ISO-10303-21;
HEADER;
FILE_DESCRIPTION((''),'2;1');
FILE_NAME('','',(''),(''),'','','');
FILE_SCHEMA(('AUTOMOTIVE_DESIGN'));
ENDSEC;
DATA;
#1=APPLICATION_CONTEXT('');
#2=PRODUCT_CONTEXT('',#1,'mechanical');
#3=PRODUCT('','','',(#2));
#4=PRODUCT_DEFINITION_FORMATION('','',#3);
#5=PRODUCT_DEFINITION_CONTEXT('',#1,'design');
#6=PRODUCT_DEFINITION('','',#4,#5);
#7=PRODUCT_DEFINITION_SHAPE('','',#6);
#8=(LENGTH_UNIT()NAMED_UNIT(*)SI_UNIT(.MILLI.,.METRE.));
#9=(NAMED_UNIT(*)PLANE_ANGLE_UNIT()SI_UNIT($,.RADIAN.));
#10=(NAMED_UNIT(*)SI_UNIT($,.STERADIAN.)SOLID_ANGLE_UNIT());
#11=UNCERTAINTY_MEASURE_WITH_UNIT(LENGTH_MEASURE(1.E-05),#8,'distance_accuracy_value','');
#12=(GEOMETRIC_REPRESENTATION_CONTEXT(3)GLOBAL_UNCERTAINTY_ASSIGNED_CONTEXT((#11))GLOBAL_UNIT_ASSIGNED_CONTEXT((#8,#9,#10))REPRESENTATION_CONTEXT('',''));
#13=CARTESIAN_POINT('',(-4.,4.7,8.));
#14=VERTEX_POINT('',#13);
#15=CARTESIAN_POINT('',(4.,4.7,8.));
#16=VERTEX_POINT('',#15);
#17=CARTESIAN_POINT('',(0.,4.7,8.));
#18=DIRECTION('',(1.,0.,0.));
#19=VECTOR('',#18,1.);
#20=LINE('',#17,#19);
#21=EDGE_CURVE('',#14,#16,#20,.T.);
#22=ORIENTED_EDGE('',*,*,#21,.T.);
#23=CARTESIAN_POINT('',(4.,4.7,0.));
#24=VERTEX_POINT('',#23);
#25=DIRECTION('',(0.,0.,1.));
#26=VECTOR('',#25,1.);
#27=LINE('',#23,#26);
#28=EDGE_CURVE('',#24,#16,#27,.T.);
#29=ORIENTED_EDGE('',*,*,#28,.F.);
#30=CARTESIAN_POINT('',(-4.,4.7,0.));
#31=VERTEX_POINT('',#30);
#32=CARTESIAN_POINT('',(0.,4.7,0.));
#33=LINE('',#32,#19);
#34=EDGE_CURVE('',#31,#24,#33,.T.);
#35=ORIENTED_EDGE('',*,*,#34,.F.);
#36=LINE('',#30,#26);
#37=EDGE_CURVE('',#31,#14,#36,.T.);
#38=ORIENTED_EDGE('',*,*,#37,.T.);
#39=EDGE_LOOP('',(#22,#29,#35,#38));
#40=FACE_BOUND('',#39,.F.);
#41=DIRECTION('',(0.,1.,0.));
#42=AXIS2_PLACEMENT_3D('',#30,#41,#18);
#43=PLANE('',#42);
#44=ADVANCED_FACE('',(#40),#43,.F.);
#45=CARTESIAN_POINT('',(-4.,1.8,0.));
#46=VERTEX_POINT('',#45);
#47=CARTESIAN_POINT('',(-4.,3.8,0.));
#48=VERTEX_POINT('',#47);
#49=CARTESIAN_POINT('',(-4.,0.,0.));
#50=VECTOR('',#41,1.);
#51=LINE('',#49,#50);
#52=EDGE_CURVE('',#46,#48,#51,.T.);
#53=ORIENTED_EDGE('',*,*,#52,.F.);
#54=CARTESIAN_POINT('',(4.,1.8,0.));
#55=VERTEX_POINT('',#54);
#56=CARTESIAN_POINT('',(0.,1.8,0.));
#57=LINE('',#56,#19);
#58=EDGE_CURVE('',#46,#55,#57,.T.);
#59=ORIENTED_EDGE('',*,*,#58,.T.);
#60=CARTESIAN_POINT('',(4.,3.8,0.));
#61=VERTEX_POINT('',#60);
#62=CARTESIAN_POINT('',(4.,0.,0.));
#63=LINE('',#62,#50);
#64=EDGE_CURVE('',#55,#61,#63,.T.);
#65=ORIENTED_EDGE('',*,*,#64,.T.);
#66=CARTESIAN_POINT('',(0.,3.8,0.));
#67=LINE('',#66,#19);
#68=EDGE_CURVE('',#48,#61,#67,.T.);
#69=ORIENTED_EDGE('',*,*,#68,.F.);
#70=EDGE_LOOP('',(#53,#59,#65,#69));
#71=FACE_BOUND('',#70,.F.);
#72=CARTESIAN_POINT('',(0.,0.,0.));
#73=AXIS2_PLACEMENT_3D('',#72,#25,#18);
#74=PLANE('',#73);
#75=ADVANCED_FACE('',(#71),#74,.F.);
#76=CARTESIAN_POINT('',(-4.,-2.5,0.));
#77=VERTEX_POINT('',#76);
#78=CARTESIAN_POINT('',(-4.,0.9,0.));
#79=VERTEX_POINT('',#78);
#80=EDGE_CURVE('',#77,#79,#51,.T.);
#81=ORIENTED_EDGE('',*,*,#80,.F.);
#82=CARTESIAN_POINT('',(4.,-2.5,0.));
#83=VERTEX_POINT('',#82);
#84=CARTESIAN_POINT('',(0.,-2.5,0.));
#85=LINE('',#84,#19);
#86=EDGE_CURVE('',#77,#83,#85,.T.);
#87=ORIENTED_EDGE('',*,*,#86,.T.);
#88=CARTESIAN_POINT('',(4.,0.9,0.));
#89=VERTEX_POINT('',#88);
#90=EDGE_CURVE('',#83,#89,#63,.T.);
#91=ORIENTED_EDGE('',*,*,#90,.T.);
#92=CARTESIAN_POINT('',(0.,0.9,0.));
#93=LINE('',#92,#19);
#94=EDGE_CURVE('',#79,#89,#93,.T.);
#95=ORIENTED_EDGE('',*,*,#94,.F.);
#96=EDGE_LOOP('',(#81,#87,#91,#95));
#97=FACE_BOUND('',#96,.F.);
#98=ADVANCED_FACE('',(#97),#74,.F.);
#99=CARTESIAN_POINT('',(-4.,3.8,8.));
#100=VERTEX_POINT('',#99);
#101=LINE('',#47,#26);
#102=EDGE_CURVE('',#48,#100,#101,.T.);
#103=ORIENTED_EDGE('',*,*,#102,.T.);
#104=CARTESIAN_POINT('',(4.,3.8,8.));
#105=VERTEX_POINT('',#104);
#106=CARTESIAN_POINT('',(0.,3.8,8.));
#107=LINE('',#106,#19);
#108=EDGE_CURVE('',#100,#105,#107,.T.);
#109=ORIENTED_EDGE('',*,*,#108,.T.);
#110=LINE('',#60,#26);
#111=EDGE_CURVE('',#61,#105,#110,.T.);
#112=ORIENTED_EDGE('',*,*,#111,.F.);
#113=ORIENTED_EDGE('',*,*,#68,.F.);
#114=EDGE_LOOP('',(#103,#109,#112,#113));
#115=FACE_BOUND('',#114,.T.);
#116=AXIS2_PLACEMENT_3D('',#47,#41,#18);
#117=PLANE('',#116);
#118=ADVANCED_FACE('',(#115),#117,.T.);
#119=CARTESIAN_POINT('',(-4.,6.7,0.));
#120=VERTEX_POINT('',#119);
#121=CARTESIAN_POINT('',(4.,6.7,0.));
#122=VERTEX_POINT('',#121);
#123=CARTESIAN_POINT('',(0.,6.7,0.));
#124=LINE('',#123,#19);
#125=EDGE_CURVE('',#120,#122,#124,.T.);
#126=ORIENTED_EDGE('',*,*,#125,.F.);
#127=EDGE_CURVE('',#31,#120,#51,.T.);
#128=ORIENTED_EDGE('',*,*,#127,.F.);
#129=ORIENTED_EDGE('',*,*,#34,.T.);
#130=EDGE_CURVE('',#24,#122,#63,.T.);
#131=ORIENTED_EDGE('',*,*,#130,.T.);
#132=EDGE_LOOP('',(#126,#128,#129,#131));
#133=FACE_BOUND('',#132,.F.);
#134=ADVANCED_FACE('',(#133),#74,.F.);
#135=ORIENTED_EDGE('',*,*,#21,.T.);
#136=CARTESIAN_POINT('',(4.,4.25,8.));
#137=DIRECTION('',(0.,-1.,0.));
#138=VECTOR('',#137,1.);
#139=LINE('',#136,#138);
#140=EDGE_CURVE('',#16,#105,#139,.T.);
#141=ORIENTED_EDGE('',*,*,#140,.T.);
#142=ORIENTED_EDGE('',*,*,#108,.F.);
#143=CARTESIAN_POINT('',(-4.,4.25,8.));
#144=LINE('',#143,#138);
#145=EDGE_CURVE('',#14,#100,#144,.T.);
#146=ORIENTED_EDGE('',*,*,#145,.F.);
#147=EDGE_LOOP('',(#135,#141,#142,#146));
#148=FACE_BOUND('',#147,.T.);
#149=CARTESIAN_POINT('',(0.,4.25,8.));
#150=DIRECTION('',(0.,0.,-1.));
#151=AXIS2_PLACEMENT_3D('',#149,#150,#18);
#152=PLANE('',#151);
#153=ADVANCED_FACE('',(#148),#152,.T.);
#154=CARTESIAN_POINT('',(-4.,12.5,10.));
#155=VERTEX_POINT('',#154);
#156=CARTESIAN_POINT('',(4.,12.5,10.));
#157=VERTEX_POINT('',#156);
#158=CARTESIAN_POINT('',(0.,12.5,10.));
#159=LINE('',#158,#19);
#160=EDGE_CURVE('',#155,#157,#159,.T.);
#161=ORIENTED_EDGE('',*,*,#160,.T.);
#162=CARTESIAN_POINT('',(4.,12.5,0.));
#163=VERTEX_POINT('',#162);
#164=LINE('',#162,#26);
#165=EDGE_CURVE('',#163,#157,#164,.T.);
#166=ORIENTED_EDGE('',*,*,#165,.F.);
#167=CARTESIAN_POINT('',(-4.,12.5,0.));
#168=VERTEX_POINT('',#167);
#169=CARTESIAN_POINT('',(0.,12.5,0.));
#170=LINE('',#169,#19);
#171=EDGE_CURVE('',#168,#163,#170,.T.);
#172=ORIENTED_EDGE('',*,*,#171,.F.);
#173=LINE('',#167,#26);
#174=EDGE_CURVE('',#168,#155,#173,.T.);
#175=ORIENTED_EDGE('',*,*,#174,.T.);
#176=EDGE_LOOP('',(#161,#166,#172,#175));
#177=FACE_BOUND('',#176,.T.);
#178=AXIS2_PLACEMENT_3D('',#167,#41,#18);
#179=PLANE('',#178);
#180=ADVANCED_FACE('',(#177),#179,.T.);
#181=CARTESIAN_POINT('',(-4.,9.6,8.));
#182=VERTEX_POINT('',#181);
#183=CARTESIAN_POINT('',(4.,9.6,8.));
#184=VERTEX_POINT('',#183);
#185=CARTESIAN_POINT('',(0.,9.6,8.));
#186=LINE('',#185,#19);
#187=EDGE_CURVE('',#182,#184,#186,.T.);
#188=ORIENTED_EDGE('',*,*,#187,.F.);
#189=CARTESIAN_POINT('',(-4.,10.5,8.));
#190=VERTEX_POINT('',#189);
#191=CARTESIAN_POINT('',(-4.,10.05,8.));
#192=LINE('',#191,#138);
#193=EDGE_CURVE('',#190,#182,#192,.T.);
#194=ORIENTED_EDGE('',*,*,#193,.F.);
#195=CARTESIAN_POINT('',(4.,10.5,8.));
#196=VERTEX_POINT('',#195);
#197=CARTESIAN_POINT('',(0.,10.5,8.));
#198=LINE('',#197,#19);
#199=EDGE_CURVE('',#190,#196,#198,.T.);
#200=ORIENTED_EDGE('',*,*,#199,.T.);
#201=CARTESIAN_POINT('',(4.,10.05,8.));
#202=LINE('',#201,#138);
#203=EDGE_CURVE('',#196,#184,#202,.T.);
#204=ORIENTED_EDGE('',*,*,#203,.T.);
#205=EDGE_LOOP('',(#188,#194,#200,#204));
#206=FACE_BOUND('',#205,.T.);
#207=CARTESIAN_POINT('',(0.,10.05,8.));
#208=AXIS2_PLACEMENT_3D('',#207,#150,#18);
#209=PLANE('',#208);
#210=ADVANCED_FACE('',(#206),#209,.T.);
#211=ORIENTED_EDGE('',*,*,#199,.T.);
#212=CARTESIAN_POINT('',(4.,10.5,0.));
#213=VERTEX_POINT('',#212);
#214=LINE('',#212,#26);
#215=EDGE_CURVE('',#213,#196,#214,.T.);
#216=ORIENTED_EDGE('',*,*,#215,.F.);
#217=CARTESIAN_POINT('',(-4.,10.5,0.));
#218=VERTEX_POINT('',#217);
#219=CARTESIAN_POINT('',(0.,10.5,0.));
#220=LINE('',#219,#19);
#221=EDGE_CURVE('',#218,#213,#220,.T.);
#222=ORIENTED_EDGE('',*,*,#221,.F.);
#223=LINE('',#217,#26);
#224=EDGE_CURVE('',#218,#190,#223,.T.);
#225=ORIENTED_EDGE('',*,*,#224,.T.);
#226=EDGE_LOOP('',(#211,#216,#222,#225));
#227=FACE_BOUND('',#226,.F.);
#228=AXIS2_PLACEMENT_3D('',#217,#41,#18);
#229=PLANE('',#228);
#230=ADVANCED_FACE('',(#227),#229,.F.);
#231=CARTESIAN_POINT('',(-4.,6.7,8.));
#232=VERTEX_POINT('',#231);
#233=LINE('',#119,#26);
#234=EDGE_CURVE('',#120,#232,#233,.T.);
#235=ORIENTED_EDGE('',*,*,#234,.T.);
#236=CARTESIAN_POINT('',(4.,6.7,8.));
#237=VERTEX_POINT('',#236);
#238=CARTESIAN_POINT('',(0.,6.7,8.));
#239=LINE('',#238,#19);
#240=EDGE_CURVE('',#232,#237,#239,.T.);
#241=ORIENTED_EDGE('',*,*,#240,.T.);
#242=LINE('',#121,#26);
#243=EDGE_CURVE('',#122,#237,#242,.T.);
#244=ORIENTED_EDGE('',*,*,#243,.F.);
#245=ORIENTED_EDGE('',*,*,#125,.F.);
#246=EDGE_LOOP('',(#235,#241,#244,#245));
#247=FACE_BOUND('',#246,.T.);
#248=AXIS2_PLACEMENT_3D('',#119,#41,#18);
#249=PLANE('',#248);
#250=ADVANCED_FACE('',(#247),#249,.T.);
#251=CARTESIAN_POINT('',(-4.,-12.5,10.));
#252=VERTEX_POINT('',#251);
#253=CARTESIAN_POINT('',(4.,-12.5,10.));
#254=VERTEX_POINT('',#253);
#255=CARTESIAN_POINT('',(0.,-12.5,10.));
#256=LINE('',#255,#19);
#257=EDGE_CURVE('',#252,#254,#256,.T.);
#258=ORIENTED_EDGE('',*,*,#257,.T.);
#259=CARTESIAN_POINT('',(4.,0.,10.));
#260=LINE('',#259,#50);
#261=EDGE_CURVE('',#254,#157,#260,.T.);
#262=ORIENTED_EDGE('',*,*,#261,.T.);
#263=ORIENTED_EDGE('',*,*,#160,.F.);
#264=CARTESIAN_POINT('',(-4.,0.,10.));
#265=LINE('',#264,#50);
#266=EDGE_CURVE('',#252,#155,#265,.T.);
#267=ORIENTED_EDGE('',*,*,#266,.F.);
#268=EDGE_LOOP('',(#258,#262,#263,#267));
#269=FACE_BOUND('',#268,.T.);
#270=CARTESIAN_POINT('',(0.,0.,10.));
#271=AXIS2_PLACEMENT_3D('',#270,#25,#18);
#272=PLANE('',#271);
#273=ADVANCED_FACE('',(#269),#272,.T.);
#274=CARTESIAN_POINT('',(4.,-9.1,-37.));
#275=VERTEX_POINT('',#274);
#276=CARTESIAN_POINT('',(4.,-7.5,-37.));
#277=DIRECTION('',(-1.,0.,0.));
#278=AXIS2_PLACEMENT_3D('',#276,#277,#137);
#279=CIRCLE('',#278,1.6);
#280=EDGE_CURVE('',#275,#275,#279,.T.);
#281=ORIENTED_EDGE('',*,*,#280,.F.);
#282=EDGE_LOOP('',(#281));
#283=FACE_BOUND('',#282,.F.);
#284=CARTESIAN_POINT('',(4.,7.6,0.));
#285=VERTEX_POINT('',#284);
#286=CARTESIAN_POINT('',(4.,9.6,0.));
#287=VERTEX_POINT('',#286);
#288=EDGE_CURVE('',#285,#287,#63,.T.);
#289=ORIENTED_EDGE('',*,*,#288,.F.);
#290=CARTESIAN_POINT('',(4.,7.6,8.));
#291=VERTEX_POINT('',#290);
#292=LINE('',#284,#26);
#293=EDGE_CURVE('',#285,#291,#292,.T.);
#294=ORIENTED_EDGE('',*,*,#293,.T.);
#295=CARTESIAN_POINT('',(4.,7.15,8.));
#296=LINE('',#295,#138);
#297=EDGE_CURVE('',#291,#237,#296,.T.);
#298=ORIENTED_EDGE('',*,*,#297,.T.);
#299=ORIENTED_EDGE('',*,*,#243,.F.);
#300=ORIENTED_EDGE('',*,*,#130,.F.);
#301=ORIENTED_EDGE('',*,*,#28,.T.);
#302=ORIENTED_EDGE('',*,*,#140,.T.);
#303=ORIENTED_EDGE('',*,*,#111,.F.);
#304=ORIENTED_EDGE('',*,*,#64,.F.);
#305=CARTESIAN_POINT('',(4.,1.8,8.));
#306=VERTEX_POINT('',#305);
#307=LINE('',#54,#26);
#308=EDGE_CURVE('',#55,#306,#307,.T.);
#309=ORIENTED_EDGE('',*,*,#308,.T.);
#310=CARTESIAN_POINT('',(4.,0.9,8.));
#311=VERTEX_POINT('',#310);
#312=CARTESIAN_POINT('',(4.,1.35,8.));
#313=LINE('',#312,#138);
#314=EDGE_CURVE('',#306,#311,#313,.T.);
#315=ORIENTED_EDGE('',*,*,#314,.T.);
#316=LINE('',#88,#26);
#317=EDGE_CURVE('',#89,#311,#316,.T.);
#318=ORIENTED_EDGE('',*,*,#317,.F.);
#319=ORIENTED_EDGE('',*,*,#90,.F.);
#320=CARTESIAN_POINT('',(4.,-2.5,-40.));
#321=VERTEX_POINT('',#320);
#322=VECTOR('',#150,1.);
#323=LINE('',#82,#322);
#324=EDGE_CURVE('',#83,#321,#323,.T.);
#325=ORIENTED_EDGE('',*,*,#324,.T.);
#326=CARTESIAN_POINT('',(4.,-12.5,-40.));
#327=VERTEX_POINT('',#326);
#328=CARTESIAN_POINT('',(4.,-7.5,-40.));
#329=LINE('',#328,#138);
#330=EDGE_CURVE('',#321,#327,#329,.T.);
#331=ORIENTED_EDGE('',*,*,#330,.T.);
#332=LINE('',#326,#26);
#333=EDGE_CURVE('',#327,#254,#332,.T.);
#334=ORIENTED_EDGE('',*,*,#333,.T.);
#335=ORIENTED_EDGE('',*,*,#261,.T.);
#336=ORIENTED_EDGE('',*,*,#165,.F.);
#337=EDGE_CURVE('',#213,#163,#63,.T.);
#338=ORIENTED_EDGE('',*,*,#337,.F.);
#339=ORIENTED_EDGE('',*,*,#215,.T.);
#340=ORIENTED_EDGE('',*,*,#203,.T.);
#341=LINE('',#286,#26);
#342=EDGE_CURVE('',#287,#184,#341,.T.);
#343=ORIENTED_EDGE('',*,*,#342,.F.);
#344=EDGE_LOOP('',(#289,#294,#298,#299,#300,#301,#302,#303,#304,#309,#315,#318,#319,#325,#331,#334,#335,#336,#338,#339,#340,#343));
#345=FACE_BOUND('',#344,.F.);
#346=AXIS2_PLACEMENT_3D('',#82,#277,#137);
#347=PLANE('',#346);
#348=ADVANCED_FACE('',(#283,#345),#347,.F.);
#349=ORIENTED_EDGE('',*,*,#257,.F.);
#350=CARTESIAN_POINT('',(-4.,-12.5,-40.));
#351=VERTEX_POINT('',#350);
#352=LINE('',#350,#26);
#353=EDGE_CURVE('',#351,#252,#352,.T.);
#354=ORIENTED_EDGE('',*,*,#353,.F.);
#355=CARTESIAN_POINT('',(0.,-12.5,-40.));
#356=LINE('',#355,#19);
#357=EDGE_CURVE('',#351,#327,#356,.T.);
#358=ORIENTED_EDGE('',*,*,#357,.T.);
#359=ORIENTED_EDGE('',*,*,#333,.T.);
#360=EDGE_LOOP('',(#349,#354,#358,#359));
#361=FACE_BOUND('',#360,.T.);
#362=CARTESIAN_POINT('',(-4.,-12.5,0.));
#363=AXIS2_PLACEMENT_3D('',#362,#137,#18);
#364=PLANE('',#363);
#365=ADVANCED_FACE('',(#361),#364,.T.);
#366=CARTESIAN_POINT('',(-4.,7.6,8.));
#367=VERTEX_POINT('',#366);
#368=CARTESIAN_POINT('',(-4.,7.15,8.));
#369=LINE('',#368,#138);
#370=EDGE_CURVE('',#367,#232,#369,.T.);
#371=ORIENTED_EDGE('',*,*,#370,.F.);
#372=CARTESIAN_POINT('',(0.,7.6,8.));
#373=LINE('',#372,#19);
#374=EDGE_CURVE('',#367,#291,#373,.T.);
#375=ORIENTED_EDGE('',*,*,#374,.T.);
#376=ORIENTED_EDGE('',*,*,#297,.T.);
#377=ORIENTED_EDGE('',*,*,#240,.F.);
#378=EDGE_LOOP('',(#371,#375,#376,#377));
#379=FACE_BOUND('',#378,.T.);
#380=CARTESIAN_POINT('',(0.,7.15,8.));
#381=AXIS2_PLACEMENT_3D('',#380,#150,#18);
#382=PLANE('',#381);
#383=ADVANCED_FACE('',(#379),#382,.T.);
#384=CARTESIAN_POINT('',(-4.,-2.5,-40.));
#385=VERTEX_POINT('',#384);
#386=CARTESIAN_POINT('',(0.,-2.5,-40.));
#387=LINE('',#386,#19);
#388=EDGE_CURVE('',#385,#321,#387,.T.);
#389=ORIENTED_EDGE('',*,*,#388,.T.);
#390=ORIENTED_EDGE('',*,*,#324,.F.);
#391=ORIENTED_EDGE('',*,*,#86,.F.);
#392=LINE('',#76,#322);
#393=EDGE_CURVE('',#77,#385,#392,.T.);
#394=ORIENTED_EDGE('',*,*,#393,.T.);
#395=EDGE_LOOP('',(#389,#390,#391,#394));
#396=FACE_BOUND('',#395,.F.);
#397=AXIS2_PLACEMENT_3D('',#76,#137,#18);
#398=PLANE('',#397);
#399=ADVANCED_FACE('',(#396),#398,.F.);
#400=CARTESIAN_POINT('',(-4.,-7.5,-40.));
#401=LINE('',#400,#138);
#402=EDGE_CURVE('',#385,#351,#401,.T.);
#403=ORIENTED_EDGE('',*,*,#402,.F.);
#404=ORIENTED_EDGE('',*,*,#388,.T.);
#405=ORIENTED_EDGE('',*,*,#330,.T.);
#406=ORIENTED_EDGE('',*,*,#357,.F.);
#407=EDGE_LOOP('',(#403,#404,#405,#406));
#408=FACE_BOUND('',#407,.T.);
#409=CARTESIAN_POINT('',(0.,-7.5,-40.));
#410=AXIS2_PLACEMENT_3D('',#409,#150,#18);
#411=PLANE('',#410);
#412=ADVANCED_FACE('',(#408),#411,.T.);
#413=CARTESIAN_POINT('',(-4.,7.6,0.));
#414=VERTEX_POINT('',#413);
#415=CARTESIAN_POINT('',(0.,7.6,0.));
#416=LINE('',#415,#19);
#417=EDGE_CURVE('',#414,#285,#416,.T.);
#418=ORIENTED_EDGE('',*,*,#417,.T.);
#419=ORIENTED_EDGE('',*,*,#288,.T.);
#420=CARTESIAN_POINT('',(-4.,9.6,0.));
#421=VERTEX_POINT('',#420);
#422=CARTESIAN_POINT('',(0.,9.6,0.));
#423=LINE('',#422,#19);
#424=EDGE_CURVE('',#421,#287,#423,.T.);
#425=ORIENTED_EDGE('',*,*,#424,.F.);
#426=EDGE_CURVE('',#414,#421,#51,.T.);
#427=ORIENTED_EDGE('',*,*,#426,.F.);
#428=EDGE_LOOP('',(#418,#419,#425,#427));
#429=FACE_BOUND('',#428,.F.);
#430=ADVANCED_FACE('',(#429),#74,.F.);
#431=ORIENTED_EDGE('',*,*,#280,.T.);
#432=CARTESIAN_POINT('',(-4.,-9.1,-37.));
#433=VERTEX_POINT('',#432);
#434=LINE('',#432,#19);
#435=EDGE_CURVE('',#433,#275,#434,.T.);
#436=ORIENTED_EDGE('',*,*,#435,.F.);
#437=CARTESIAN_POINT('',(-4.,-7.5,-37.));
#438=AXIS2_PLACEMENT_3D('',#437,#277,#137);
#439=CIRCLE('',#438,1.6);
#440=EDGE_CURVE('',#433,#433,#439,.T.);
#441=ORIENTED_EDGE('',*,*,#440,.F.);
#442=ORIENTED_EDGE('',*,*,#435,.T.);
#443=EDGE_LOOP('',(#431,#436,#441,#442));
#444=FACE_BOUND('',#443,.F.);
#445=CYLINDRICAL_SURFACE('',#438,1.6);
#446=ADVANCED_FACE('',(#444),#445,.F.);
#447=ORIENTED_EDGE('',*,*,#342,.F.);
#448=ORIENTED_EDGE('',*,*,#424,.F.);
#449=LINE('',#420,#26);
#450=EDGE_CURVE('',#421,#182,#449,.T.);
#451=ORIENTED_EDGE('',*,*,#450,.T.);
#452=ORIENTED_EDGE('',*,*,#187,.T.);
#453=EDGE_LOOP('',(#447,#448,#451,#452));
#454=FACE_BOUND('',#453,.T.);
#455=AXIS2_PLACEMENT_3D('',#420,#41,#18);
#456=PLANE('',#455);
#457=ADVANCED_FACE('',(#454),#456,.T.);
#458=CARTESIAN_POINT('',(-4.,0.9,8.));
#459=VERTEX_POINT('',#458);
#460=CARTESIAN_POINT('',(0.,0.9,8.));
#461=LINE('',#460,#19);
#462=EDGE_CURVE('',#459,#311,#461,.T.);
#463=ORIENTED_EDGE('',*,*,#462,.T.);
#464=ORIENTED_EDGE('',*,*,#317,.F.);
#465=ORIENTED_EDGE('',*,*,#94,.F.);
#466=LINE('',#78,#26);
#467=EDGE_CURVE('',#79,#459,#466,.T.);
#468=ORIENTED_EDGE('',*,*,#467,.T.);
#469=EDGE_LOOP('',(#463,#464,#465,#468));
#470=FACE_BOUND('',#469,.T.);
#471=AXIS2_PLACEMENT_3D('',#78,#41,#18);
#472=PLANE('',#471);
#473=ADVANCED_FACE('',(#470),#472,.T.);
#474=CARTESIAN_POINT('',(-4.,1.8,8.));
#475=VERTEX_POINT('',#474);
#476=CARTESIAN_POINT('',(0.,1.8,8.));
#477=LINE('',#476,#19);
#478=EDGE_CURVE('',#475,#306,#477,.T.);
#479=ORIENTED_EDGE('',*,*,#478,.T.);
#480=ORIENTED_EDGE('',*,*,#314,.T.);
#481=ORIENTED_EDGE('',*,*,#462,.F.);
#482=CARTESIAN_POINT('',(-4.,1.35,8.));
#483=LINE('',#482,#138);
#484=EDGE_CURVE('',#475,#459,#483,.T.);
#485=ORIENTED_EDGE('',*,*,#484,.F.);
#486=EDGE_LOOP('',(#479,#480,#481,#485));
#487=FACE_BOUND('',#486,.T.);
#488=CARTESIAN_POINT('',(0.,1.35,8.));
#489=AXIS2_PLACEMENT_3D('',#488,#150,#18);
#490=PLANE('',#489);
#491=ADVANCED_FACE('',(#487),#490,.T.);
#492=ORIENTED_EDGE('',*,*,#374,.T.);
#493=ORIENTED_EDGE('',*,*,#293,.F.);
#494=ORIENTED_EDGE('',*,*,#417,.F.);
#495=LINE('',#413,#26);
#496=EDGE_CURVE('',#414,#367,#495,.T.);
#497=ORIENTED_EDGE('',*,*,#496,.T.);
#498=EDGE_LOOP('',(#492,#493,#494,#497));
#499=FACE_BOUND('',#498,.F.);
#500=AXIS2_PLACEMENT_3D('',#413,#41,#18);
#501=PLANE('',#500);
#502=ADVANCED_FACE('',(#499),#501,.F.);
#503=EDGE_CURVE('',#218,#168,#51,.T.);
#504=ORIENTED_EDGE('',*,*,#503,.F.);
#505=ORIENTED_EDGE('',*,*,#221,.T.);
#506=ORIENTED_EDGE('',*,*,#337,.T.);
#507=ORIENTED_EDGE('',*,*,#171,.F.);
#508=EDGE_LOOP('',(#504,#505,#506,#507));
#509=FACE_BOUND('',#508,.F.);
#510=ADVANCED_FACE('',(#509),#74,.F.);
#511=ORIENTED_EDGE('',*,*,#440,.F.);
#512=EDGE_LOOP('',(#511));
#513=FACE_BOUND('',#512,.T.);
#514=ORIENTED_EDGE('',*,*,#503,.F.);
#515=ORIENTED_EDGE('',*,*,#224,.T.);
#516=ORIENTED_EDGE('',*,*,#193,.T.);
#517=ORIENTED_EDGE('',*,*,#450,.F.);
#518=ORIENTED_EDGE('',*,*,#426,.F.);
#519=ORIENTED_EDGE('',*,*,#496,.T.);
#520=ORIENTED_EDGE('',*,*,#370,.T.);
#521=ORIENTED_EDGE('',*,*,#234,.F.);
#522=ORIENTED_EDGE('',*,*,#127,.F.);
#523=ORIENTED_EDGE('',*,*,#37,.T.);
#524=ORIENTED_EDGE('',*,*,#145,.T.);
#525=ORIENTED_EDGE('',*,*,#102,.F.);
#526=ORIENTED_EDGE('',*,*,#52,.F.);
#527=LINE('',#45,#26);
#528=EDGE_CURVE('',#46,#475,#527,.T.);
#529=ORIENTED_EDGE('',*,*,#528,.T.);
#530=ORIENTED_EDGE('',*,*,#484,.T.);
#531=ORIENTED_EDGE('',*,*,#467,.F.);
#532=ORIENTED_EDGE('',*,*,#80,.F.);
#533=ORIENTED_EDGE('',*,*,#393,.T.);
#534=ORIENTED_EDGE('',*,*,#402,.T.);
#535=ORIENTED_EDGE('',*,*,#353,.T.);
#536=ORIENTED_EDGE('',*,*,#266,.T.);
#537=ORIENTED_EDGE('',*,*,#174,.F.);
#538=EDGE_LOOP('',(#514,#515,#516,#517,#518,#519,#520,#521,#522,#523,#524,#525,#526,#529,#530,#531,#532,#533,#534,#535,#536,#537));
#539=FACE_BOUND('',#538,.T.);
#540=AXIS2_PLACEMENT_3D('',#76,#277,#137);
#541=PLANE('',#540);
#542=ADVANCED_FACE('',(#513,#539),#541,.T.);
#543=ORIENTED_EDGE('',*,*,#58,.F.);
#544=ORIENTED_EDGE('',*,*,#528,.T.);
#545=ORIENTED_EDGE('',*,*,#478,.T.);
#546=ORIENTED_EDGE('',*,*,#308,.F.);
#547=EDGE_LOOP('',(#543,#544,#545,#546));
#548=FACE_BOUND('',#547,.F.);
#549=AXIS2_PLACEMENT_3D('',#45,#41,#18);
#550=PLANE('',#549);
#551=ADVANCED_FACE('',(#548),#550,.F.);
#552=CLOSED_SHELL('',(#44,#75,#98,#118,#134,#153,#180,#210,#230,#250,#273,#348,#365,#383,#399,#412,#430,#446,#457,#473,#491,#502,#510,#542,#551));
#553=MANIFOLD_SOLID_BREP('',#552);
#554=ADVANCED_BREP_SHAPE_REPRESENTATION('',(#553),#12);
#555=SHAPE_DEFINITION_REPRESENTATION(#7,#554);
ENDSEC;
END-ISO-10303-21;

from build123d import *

# Parameters (mm, degrees)
F0_W     = 8
F0_H     = 25
F1_DEPTH = 10
F2_W     = 8
F2_H     = 0.9
F3_DEPTH = 8
F4_W     = 8
F4_H     = 10
F5_DEPTH = 40
F6_R     = 1.6
F7_DEPTH = 8.001


with BuildPart() as f1:
    # F0 (on Top) → F1 (new body)
    with BuildSketch(Plane.XY):
        Rectangle(F0_W, F0_H)
    extrude(amount=F1_DEPTH)

    # F2 (on face) → F3 (cut)
    with BuildSketch(Plane(origin=(0, 0, 0), x_dir=(1, 0, 0), z_dir=(0, 0, -1))):
        with Locations((0, -10.05)):
            Rectangle(F2_W, F2_H)
        with Locations((0, -7.15)):
            Rectangle(F2_W, F2_H)
        with Locations((0, -4.25)):
            Rectangle(F2_W, F2_H)
        with Locations((0, -1.35)):
            Rectangle(F2_W, F2_H)
    extrude(amount=-F3_DEPTH, mode=Mode.SUBTRACT)

    # F4 (on face) → F5 (join)
    with BuildSketch(Plane(origin=(0, 0, 0), x_dir=(1, 0, 0), z_dir=(0, 0, -1))):
        with Locations((0, 7.5)):
            Rectangle(F4_W, F4_H)
    extrude(amount=F5_DEPTH)

    # F6 (on face) → F7 (cut, through all)
    with BuildSketch(Plane(origin=(-4, 0, 0), x_dir=(0, -1, 0), z_dir=(-1, 0, 0))):
        with Locations((7.5, -37)):
            Circle(F6_R)
    extrude(amount=-F7_DEPTH, mode=Mode.SUBTRACT)


solid = f1.part
